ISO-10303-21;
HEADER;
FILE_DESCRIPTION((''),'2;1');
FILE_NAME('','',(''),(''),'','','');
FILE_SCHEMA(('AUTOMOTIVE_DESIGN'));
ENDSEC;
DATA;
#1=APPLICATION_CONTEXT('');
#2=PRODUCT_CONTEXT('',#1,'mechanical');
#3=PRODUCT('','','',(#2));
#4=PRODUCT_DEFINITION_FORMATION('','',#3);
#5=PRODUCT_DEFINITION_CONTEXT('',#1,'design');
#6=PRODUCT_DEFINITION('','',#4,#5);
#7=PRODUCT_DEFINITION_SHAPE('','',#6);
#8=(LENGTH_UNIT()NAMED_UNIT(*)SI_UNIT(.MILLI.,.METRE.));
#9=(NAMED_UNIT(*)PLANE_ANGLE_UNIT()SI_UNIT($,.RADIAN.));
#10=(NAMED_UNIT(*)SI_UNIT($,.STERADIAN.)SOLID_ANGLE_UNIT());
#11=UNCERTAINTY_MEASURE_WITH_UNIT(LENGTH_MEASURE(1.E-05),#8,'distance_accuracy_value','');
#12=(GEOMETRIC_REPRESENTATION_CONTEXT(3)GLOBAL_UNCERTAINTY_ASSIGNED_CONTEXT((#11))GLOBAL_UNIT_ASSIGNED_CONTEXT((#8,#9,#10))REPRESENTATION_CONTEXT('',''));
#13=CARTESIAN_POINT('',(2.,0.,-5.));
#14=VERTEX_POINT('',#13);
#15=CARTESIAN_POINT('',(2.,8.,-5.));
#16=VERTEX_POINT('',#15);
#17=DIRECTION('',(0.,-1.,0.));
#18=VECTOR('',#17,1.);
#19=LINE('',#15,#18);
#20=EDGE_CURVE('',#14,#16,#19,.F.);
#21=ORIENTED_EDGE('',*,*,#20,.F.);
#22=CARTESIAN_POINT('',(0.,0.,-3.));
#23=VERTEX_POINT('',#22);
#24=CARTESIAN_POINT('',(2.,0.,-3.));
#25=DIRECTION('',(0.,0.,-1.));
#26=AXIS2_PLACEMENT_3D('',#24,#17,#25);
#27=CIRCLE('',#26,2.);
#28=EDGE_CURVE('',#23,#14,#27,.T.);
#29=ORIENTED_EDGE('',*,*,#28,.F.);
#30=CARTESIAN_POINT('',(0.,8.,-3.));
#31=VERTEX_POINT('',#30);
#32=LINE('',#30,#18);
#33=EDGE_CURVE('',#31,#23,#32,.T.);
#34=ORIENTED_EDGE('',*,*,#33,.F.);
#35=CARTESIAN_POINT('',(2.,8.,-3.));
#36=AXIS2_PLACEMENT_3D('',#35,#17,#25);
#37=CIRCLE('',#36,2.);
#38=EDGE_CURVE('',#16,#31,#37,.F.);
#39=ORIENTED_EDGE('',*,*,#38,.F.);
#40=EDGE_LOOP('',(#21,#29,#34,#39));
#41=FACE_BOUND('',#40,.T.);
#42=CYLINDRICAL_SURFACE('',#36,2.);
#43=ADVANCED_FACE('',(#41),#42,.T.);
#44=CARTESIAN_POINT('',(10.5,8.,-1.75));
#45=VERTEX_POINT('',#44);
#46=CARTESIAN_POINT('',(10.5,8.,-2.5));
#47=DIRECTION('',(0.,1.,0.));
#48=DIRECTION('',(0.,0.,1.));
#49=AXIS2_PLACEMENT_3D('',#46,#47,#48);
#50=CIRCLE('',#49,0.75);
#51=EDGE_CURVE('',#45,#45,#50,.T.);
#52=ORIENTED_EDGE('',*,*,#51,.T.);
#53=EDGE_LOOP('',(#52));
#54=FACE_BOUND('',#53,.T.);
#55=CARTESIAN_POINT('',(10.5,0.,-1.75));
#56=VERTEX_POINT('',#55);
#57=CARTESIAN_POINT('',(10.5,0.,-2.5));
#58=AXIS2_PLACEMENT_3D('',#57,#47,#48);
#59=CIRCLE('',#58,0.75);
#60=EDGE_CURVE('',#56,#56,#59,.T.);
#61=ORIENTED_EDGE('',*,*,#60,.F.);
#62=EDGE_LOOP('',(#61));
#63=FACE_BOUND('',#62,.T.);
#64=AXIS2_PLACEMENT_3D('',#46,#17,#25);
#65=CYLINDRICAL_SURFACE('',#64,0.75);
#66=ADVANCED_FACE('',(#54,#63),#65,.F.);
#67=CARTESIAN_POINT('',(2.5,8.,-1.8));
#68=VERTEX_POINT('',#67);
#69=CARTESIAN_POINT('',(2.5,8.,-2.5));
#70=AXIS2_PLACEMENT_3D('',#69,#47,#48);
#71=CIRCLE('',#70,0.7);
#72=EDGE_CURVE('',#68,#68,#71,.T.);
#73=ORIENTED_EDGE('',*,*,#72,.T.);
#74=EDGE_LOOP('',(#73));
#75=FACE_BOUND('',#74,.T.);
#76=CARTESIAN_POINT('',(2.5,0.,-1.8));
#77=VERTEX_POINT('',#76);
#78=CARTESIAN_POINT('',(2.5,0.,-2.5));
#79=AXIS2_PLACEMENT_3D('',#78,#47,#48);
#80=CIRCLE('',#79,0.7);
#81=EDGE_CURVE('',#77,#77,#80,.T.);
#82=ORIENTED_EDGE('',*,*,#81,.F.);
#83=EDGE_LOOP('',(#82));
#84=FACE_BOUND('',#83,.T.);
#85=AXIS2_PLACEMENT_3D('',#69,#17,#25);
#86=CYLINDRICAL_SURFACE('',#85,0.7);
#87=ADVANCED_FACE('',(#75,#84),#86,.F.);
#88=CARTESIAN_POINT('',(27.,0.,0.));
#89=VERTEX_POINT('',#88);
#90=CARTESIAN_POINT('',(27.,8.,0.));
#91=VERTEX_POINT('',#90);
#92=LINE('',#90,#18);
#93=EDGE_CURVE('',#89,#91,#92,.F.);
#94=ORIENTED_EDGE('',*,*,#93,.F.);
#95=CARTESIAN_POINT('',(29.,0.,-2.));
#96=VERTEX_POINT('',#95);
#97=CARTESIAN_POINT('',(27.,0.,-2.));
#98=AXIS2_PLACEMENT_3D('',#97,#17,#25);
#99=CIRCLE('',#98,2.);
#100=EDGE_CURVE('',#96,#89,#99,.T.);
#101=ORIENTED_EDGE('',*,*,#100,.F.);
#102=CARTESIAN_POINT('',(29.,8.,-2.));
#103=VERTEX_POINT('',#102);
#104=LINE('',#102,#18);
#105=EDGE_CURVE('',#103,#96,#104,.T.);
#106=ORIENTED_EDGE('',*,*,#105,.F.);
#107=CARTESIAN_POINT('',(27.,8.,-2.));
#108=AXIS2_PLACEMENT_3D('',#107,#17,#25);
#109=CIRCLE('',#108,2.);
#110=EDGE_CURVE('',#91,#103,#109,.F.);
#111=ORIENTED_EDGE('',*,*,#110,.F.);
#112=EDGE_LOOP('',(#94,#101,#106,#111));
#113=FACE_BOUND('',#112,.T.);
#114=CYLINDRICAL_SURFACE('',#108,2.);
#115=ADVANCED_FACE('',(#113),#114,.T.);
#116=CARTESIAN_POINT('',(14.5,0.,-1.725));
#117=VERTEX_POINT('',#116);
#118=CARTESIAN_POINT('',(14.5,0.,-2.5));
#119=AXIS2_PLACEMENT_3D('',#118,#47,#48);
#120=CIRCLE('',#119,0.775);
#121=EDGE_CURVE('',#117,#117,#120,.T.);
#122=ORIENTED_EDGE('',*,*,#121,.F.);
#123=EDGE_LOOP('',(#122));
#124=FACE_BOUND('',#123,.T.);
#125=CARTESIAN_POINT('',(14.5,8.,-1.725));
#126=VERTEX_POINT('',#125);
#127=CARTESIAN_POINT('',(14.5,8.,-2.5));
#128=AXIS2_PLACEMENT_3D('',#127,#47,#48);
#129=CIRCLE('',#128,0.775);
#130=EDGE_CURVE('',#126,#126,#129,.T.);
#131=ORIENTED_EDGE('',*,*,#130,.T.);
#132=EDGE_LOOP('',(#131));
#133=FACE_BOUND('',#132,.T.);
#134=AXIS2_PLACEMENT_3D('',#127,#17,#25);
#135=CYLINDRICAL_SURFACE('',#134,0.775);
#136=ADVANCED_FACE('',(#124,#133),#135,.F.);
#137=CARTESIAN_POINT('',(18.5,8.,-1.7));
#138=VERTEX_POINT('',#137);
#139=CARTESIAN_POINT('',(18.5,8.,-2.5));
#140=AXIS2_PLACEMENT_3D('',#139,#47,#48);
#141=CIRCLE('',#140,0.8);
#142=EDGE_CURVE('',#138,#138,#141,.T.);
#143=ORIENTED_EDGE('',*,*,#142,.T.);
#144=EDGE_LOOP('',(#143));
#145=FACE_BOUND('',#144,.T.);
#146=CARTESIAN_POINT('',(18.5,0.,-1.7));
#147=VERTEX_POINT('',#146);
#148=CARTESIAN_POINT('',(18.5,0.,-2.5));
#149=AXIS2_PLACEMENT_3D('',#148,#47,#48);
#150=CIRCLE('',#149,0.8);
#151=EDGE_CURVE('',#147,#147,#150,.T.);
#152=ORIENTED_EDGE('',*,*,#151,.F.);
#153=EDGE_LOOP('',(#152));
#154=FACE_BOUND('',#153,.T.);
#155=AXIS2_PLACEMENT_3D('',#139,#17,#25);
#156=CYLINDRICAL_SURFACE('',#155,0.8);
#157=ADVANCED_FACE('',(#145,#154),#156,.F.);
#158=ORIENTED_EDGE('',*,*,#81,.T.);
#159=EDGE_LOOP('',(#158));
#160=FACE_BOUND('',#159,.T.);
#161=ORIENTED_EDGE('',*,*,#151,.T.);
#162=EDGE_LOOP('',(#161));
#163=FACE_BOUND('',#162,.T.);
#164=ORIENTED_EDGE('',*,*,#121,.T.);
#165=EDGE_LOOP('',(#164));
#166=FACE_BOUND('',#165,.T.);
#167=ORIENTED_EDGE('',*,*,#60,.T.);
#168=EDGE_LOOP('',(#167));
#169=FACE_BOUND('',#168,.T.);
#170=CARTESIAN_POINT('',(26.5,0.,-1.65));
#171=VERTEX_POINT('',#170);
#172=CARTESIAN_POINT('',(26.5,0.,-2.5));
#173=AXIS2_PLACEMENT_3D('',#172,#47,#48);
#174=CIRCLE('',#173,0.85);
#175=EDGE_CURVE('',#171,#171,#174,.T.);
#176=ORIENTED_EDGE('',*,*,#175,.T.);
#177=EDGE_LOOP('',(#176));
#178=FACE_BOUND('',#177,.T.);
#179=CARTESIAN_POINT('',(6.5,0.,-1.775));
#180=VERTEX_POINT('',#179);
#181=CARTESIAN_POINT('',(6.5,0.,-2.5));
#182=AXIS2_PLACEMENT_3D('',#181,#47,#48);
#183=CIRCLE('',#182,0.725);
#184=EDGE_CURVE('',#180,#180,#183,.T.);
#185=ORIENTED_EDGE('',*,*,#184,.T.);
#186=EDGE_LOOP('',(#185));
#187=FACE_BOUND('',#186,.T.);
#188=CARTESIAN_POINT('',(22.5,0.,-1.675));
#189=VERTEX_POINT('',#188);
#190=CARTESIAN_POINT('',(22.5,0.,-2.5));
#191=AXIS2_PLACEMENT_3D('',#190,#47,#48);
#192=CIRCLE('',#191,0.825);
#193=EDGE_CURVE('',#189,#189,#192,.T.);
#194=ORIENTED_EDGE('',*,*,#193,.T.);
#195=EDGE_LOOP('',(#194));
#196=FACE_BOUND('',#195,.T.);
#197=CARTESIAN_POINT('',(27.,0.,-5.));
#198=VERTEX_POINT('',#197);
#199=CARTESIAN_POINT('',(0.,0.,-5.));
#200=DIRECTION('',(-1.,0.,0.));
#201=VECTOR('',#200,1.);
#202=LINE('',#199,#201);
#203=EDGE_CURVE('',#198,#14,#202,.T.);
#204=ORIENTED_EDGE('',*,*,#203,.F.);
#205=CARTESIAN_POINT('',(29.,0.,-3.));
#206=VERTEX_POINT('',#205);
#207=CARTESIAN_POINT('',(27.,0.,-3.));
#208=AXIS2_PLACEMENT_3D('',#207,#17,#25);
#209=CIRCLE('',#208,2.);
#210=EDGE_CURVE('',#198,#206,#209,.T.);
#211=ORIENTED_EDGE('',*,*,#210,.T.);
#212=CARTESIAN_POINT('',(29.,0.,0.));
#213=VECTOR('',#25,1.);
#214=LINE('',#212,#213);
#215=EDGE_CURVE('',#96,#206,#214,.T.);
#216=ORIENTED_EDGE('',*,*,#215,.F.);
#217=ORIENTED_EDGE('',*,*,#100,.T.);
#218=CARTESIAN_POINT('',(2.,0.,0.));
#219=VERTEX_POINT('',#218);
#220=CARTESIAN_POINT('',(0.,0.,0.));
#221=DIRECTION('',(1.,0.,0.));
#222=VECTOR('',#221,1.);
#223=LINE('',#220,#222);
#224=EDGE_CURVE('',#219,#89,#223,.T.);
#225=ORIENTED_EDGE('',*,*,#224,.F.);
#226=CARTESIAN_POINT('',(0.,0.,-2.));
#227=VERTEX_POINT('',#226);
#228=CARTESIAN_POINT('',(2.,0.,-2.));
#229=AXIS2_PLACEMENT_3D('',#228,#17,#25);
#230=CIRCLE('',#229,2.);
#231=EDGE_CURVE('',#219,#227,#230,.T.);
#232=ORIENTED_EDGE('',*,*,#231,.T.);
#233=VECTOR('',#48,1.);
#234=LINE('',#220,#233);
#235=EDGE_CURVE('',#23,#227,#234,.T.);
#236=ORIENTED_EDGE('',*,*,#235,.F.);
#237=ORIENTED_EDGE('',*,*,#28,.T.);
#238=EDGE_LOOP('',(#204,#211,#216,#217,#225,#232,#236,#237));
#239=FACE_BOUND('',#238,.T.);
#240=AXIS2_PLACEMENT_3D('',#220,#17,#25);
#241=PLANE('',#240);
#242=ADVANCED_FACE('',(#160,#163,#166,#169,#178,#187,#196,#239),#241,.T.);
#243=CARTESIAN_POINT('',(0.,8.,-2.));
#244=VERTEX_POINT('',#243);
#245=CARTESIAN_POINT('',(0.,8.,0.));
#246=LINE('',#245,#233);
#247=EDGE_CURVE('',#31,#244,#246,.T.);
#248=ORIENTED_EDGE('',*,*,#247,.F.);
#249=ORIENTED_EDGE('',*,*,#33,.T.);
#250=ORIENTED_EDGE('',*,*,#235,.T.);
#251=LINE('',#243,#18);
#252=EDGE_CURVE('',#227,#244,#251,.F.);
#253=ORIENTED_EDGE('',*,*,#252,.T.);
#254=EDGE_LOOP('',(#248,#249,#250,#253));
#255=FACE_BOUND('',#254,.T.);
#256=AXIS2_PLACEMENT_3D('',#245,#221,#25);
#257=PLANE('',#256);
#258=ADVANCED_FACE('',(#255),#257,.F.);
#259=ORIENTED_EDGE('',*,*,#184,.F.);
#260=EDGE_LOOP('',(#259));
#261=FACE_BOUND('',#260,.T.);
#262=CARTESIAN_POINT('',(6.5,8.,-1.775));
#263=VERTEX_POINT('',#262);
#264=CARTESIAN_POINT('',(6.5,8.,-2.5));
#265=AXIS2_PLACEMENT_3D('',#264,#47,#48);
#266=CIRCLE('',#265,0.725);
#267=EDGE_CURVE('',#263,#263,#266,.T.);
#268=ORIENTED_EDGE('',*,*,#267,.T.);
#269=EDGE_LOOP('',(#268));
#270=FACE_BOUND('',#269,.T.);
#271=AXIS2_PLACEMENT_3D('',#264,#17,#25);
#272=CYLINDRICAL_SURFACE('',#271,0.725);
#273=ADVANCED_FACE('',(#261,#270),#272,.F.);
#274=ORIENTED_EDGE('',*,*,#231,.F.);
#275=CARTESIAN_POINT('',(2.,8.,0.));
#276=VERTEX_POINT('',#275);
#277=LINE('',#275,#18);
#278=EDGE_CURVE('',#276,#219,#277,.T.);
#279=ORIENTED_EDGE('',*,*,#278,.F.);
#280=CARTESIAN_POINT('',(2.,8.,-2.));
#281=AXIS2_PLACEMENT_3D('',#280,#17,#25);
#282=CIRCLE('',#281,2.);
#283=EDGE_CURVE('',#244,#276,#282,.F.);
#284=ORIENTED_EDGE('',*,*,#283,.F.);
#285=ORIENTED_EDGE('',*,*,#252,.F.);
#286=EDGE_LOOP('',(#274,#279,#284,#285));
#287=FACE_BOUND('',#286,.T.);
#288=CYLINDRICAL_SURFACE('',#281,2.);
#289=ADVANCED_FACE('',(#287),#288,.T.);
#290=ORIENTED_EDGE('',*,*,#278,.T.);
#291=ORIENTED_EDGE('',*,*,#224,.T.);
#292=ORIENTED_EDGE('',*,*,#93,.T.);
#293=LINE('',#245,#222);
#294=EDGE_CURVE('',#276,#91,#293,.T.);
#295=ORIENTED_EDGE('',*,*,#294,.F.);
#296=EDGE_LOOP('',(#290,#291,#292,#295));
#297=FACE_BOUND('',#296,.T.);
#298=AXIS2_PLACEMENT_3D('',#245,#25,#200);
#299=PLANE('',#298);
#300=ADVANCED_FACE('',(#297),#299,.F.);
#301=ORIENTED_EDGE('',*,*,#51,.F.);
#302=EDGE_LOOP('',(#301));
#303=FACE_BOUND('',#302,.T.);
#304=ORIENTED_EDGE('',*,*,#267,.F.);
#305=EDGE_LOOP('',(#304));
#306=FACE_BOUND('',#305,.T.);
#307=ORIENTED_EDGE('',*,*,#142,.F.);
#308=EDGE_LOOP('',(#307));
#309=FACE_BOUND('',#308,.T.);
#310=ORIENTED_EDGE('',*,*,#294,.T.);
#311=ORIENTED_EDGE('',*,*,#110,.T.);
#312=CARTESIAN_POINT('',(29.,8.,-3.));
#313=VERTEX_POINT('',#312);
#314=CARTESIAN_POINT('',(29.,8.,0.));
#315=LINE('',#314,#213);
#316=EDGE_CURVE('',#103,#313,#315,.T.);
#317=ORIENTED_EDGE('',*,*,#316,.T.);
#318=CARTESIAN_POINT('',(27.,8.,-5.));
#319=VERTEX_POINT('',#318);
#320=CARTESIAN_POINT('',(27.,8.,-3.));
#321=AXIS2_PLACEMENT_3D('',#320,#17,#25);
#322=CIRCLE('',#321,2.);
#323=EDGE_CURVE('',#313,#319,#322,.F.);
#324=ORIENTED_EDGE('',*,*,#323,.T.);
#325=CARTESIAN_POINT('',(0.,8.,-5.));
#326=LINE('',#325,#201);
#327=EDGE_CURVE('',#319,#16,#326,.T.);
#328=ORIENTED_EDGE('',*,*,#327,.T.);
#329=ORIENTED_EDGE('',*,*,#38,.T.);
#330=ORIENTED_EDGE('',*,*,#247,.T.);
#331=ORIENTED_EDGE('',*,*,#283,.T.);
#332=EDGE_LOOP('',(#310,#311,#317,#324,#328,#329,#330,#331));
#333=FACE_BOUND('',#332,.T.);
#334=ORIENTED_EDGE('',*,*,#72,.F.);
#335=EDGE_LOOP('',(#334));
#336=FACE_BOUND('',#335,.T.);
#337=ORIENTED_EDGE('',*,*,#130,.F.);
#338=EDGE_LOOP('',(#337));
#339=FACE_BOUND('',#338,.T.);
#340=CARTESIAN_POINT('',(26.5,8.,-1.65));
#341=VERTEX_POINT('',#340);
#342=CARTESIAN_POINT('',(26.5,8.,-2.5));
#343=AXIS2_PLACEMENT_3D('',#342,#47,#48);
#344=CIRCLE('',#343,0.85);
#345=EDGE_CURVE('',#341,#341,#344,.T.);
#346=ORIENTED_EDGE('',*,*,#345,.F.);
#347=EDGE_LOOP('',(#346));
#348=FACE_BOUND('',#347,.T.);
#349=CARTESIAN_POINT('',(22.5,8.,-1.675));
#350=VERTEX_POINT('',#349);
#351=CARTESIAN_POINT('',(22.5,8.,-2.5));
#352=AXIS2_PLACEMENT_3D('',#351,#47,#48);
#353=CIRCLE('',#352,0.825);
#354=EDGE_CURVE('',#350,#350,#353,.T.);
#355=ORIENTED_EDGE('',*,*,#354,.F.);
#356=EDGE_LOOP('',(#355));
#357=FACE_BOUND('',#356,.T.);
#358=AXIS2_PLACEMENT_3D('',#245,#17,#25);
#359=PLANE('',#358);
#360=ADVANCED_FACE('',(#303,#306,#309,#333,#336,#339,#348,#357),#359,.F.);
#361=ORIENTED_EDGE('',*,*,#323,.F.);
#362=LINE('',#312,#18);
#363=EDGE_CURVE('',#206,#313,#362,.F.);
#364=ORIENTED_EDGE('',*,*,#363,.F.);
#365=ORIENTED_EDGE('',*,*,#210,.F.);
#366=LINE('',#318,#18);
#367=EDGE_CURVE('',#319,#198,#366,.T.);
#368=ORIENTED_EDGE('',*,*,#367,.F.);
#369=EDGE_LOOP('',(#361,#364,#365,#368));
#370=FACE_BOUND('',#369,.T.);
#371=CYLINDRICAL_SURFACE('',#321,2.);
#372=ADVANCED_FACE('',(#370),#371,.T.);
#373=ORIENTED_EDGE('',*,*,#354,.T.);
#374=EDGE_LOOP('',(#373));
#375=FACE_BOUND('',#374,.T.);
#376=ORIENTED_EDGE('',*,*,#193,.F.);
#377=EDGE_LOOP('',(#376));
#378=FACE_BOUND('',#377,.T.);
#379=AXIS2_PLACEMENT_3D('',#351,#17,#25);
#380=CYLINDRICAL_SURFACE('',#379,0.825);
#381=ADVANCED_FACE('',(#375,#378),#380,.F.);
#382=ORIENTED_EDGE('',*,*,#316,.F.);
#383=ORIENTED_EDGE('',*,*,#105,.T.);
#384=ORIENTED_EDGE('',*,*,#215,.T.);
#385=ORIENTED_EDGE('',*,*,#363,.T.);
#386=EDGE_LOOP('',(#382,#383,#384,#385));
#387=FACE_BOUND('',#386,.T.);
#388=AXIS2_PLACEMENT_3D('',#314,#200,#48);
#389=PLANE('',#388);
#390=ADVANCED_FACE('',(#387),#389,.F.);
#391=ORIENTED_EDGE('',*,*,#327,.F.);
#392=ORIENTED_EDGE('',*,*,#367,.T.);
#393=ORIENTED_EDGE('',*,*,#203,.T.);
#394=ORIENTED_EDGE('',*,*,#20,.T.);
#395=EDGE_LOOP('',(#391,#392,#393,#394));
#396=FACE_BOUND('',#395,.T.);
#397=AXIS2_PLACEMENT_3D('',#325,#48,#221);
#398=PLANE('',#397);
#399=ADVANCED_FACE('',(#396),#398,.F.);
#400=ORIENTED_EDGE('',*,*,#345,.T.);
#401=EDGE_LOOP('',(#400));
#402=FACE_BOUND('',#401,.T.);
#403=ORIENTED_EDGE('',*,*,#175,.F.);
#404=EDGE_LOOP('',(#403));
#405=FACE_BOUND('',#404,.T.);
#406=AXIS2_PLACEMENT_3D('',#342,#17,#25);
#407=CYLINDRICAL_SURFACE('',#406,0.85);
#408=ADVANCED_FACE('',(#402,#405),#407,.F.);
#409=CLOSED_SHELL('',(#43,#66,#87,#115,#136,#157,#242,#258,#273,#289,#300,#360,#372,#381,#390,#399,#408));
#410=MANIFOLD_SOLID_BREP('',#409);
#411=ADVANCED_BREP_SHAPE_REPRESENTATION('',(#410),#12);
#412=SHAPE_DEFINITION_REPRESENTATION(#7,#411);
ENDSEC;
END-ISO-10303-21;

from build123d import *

# Parameters (mm, degrees)
SKETCH1_W           = 29
SKETCH1_H           = 5
SKETCH1_R           = 0.7
SKETCH1_R_2         = 0.725
SKETCH1_R_3         = 0.75
SKETCH1_R_4         = 0.775
SKETCH1_R_5         = 0.85
SKETCH1_R_6         = 0.8
SKETCH1_R_7         = 0.825
BOSS_EXTRUDE1_DEPTH = 8
FILLET1_R           = 2


with BuildPart() as part:
    # Sketch1 → Boss-Extrude1 (new body)
    with BuildSketch(Plane(origin=(0, 0, 0), x_dir=(1, 0, 0), z_dir=(0, 1, 0))):
        with Locations((14.5, 2.5)):
            Rectangle(SKETCH1_W, SKETCH1_H)
        with Locations(Location((2.5, 2.5, 0), (0, 0, 270))):
            Circle(SKETCH1_R, mode=Mode.SUBTRACT)
        with Locations(Location((6.5, 2.5, 0), (0, 0, 270))):
            Circle(SKETCH1_R_2, mode=Mode.SUBTRACT)
        with Locations(Location((10.5, 2.5, 0), (0, 0, 270))):
            Circle(SKETCH1_R_3, mode=Mode.SUBTRACT)
        with Locations(Location((14.5, 2.5, 0), (0, 0, 270))):
            Circle(SKETCH1_R_4, mode=Mode.SUBTRACT)
        with Locations(Location((26.5, 2.5, 0), (0, 0, 270))):
            Circle(SKETCH1_R_5, mode=Mode.SUBTRACT)
        with Locations(Location((18.5, 2.5, 0), (0, 0, 270))):
            Circle(SKETCH1_R_6, mode=Mode.SUBTRACT)
        with Locations(Location((22.5, 2.5, 0), (0, 0, 270))):
            Circle(SKETCH1_R_7, mode=Mode.SUBTRACT)
    extrude(amount=BOSS_EXTRUDE1_DEPTH)

    # Fillet1
    fillet1_edges = [part.edges().sort_by_distance(p)[0] for p in [
        (0, 4, -5),
        (29, 4, -5),
        (29, 4, 0),
        (0, 4, 0),
    ]]
    fillet(fillet1_edges, radius=FILLET1_R)


solid = part.part
